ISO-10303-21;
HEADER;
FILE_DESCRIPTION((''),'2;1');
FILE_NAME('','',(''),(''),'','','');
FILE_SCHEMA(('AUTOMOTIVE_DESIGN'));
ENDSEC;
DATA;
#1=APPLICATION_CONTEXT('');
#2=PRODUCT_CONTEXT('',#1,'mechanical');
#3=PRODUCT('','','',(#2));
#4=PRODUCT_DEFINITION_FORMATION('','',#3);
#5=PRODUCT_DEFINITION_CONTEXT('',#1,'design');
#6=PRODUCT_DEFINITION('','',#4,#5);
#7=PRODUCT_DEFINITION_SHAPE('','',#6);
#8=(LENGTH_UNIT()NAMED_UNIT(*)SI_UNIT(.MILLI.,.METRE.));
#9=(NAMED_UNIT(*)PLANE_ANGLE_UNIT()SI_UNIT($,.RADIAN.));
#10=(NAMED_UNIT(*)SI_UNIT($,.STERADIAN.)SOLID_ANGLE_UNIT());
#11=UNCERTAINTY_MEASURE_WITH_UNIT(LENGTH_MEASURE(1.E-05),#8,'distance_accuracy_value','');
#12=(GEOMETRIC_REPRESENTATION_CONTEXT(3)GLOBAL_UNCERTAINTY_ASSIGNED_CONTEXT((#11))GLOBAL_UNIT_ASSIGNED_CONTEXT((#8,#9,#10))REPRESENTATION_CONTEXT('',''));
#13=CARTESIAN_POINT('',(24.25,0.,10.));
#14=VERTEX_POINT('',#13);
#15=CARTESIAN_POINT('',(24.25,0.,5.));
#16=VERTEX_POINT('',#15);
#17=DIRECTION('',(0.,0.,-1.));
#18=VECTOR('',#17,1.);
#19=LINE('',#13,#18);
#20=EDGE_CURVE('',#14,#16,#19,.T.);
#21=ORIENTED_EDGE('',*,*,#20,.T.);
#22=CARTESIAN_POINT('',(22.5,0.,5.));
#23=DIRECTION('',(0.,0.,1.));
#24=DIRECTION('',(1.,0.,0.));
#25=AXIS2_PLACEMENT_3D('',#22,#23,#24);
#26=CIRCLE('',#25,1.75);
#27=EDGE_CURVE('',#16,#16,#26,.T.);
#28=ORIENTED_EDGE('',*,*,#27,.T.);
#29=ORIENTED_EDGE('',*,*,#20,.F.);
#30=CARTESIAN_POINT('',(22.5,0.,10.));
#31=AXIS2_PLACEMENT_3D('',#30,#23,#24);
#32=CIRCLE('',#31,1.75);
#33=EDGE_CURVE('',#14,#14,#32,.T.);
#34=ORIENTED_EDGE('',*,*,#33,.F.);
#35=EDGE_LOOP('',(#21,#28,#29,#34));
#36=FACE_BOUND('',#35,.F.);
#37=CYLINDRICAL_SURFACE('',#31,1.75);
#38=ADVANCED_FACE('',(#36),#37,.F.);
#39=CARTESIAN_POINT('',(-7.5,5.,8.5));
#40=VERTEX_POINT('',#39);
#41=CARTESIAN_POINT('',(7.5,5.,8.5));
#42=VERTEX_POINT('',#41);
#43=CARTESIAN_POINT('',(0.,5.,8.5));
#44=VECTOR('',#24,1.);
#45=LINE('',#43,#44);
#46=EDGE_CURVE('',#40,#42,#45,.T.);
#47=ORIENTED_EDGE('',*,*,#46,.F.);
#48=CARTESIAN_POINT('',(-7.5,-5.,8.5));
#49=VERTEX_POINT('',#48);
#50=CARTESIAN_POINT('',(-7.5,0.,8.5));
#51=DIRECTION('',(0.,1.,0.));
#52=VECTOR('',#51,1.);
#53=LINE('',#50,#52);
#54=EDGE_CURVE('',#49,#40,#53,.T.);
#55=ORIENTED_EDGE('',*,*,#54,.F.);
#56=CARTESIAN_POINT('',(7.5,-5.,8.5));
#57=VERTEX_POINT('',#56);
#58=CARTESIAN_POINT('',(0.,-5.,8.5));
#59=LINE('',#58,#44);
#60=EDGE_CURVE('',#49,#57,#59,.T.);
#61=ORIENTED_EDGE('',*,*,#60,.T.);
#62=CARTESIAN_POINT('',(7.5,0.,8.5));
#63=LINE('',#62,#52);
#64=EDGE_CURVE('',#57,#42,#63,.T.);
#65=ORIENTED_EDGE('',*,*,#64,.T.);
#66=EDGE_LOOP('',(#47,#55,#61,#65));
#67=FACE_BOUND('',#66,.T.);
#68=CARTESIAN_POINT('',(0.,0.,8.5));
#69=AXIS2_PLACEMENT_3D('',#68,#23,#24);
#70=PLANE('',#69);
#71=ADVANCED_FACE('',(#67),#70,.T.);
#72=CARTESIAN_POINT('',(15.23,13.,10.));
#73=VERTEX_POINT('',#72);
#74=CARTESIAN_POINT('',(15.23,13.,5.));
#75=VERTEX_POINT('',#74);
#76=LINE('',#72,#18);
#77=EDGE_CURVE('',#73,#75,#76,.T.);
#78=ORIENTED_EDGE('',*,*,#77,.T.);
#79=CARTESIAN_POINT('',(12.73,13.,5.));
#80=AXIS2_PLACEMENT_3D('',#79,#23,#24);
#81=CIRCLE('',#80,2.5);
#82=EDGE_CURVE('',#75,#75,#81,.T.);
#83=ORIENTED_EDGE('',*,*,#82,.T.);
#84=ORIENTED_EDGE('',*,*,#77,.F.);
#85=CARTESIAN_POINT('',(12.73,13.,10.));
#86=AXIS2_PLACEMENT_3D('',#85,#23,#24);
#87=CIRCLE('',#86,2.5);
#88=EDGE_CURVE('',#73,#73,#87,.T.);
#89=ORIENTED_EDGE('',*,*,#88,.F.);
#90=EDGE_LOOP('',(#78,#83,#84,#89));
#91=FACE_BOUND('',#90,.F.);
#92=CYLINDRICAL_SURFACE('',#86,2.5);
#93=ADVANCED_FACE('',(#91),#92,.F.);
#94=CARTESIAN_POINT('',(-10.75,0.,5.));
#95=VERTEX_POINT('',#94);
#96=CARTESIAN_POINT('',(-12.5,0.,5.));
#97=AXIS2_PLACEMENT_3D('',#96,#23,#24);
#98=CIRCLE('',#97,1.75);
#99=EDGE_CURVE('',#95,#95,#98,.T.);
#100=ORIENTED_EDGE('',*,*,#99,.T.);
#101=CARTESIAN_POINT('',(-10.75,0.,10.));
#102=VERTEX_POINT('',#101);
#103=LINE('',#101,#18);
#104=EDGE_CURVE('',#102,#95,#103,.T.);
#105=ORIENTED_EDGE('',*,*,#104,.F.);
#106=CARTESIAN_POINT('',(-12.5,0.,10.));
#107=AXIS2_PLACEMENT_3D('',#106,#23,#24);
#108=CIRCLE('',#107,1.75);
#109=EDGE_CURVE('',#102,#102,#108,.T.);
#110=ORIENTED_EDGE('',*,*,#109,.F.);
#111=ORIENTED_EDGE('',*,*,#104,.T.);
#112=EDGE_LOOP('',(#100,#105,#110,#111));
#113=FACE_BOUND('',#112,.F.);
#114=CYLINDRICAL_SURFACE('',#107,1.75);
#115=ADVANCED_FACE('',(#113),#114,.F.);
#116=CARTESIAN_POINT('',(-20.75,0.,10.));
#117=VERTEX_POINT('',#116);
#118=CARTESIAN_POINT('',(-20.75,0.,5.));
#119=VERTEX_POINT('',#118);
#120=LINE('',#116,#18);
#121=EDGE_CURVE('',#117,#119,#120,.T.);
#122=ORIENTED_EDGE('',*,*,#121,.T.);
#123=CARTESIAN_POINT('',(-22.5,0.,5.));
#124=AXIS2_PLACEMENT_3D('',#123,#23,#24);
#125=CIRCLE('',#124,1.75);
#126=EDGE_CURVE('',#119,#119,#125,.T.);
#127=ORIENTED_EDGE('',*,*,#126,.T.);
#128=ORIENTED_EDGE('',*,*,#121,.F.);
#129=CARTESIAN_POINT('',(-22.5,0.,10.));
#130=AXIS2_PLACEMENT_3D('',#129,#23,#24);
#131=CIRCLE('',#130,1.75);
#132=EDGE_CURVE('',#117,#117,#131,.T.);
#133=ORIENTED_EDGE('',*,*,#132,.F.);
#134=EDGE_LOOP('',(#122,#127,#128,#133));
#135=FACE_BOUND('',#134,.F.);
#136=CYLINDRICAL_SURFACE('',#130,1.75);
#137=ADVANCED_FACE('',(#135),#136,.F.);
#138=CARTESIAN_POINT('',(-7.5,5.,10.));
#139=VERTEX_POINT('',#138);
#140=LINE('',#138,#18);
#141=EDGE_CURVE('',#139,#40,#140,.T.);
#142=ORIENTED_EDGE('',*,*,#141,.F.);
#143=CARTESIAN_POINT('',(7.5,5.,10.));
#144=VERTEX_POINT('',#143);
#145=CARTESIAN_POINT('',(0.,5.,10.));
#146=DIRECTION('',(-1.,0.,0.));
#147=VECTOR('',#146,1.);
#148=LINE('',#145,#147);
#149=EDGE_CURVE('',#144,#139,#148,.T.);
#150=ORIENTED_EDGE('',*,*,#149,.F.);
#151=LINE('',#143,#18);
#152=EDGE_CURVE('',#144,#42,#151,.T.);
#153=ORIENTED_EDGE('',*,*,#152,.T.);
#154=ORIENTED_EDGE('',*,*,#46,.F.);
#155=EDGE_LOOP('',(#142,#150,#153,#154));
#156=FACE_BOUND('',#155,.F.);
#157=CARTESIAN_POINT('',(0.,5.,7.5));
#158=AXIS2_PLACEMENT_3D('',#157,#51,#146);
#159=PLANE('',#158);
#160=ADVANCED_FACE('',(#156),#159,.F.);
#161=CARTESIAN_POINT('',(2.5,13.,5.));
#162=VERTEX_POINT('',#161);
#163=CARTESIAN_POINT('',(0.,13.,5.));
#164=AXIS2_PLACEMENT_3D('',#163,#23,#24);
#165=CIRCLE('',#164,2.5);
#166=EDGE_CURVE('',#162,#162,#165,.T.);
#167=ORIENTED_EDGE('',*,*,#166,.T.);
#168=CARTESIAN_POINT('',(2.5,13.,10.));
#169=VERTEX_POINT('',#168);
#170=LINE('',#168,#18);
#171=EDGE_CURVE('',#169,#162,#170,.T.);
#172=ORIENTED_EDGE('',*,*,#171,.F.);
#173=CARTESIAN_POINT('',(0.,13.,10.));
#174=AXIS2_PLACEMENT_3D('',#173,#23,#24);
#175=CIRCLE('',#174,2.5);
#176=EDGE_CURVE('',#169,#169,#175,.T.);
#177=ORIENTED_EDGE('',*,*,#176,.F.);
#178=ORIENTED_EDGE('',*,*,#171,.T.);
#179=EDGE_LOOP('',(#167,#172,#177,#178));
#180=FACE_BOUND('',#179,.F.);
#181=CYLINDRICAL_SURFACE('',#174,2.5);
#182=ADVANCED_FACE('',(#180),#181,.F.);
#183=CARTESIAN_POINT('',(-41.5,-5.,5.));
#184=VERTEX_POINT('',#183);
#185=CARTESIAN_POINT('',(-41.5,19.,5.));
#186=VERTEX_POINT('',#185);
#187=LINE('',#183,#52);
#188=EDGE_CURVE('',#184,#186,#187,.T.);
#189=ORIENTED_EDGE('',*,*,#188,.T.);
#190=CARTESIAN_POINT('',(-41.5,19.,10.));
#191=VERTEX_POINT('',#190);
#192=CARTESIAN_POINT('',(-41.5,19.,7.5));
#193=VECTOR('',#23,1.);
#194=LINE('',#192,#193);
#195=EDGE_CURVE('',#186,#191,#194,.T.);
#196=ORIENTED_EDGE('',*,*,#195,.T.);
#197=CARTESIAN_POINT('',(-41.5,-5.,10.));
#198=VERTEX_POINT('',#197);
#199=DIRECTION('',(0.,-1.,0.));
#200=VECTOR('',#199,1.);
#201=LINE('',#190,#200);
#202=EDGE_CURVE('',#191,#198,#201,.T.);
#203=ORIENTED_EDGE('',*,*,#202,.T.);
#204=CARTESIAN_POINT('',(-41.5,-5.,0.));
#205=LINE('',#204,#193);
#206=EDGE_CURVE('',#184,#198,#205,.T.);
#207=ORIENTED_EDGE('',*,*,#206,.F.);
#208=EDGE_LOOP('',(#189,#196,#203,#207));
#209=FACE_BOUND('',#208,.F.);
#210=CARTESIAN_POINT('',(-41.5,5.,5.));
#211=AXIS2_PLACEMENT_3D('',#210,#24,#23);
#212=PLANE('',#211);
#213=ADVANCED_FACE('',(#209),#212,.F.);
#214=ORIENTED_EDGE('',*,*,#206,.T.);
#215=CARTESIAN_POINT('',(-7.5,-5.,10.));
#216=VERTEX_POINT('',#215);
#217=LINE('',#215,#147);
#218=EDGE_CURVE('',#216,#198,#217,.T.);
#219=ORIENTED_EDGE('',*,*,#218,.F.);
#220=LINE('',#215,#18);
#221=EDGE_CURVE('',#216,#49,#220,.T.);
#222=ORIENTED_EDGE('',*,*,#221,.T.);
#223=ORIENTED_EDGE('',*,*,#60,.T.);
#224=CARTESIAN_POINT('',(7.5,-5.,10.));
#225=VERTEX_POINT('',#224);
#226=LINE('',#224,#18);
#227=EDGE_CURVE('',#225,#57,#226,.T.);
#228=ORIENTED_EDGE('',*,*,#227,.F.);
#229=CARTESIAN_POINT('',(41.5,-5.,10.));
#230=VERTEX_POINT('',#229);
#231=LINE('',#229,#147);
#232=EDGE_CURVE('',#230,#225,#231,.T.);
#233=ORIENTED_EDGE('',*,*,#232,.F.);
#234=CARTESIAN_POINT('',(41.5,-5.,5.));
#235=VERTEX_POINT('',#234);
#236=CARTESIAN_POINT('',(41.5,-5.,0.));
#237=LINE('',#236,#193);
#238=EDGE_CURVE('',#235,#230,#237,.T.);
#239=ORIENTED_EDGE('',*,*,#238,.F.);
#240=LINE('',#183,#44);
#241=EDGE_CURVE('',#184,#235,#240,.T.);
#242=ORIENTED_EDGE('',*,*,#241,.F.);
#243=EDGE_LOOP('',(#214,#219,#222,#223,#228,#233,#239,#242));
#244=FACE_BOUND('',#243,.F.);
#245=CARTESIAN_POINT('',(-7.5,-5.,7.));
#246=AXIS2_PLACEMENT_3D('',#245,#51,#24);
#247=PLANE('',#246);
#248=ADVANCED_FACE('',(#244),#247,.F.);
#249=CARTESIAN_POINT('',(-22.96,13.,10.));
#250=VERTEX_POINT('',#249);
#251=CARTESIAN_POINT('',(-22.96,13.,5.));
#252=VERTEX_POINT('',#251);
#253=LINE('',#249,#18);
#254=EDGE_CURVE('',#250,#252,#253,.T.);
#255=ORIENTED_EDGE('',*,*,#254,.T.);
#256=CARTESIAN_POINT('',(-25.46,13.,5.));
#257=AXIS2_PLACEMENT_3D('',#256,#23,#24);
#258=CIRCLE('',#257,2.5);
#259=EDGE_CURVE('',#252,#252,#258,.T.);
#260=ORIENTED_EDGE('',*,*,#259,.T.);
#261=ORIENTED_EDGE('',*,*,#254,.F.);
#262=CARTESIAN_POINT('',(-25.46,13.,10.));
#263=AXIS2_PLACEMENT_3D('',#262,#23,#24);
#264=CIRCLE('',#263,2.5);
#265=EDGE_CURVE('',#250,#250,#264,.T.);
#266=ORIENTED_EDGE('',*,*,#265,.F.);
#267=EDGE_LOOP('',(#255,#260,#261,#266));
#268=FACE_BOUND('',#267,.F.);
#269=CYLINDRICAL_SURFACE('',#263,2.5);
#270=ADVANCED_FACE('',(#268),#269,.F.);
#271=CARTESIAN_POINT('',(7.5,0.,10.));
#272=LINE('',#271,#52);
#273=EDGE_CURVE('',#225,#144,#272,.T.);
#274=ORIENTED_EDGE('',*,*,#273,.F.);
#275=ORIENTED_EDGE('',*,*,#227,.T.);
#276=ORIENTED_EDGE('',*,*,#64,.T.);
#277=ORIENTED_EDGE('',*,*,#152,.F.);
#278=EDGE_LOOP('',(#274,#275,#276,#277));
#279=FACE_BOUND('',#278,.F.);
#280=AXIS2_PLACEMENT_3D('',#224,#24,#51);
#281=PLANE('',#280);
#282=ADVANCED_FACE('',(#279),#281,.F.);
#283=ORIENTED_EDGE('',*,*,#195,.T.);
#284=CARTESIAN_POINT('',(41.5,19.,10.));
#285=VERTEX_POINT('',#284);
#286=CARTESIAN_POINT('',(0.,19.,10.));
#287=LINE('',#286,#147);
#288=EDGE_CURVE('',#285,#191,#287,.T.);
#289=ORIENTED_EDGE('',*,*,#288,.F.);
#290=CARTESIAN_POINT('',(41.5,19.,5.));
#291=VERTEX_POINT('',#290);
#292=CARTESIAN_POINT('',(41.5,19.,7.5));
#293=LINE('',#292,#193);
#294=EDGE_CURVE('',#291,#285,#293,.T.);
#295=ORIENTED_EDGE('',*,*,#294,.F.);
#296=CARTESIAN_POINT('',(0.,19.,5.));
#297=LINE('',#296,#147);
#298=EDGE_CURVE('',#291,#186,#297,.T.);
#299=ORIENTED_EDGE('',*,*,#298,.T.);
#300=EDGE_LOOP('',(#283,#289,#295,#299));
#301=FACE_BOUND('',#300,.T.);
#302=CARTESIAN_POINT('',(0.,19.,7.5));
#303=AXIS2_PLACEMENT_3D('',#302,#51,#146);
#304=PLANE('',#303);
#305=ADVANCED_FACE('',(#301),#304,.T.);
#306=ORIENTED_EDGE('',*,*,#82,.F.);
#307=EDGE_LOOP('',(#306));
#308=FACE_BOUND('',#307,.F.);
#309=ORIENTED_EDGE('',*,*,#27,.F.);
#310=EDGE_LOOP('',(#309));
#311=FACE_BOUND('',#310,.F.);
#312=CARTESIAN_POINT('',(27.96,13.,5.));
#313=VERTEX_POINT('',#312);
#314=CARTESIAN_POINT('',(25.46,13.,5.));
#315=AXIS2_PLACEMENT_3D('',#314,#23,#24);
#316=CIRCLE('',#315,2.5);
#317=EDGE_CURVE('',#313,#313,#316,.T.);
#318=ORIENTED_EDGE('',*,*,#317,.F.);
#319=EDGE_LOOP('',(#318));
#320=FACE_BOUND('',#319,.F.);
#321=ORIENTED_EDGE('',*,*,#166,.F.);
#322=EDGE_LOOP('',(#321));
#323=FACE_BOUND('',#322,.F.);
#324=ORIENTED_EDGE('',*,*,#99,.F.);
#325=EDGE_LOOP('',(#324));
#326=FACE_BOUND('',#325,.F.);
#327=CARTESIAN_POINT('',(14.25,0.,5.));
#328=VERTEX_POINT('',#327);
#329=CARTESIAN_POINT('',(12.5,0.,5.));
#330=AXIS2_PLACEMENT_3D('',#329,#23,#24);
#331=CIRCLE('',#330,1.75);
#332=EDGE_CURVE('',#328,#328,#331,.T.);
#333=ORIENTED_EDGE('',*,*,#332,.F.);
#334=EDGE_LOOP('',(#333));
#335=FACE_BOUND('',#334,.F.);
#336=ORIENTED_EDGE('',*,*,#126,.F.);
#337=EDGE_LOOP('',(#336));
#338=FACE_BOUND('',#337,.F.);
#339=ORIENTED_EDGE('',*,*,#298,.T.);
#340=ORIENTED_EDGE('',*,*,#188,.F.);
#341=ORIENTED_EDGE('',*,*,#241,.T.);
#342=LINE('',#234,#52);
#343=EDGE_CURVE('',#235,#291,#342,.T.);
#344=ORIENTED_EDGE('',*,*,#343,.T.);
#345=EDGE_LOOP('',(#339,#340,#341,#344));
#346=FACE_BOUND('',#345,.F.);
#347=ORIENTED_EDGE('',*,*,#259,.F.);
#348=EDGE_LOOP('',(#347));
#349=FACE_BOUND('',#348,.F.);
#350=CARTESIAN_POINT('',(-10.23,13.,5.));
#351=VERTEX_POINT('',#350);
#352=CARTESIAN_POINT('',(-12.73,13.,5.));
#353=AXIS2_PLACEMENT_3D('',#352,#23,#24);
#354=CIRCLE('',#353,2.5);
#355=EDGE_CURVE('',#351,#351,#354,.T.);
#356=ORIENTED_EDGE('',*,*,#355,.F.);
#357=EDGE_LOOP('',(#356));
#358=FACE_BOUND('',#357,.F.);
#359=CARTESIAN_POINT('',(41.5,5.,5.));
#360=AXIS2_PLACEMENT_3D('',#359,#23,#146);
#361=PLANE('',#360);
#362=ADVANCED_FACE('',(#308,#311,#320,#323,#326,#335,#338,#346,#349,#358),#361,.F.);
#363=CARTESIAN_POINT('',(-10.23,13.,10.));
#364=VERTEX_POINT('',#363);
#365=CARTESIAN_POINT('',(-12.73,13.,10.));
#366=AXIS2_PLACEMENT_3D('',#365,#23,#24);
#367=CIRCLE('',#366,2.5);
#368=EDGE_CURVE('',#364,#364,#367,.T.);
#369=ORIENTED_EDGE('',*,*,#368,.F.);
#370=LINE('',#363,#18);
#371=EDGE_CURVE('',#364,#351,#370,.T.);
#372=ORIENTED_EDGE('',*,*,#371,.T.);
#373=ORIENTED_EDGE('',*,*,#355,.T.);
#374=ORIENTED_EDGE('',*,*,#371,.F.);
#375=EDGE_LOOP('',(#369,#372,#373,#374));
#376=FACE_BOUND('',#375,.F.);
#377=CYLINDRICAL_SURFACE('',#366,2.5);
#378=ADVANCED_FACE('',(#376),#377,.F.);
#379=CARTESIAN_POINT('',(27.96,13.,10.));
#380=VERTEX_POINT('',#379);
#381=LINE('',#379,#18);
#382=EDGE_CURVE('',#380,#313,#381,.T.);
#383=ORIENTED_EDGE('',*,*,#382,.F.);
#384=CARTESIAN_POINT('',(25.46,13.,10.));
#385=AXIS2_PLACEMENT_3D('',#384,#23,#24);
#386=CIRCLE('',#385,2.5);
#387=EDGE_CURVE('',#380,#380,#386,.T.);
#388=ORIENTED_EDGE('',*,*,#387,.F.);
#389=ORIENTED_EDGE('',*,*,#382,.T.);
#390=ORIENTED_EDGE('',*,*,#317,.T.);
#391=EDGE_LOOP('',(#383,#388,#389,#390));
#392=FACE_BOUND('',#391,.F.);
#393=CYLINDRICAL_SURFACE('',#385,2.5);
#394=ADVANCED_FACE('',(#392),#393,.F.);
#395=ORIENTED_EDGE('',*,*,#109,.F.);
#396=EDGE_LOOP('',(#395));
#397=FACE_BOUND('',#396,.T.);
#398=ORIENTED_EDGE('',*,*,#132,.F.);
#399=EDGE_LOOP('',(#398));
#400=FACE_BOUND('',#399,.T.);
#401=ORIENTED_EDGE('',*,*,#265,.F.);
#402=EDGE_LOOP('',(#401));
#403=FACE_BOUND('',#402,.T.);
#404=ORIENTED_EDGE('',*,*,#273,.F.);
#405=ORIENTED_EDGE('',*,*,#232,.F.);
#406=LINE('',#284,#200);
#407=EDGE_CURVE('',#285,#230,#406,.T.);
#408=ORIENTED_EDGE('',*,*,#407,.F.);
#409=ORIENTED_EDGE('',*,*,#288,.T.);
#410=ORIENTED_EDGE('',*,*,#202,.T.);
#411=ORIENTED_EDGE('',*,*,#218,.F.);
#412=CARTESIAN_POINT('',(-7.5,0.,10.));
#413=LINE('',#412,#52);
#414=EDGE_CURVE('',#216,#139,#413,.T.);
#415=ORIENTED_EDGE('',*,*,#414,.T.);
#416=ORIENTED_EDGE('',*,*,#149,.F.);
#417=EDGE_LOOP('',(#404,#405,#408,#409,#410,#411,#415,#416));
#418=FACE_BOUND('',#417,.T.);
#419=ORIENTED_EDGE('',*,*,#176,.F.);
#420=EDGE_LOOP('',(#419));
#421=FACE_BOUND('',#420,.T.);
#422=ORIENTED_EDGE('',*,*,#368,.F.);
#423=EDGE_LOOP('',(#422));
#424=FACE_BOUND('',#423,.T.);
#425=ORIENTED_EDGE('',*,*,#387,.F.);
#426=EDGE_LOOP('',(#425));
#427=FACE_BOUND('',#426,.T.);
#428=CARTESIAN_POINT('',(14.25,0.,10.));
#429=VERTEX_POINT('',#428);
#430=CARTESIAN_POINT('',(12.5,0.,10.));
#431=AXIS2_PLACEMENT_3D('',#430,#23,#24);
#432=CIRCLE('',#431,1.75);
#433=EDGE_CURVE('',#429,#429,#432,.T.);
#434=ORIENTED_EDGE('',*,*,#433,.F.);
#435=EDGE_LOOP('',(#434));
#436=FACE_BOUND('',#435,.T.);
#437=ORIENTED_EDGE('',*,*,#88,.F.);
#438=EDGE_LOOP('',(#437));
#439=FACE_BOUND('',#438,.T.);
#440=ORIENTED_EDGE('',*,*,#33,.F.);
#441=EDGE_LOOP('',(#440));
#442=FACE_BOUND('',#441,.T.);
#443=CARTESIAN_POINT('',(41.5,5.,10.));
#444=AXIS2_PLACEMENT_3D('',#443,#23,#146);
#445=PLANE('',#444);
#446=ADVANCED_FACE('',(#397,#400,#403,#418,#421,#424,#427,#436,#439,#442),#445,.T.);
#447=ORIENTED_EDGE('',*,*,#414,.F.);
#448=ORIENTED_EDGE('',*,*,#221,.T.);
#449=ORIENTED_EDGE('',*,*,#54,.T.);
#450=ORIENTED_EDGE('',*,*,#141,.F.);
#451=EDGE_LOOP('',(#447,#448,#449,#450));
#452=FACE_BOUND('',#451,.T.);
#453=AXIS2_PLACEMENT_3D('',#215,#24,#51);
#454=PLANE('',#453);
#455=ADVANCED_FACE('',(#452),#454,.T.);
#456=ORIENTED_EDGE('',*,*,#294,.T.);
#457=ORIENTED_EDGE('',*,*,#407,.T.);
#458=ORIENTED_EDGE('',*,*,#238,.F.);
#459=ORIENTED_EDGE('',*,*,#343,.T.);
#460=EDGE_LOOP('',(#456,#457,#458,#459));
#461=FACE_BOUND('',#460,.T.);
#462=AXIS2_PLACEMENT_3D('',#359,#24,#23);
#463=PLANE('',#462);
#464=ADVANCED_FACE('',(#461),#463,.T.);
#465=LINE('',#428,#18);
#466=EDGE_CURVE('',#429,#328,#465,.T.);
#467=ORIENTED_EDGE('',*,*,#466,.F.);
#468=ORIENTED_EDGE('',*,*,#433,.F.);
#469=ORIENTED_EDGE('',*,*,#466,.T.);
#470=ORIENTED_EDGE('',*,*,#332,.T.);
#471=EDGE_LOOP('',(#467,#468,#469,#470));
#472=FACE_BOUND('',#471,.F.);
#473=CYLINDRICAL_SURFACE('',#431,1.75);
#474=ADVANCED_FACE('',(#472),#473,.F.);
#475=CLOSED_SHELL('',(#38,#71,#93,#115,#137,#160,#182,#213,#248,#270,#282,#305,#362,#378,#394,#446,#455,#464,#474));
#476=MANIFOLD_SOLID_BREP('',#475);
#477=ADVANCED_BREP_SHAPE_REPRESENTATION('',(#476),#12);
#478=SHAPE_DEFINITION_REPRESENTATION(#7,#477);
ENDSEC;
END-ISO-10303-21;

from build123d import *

# Parameters (mm, degrees)
F0_W      = 65
F0_H      = 10
F1_DEPTH  = 10
F2_W      = 15
F2_H      = 10
F3_DEPTH  = 3
F2_R      = 1.75
F4_DEPTH  = 25
F5_DEPTH  = 9
F6_DEPTH  = 9
F7_DEPTH  = 5
F8_DEPTH  = 1.5
F9_W      = 83
F9_H      = 5
F10_DEPTH = 14
F11_R     = 2.5
F12_DEPTH = 25


with BuildPart() as f1:
    # F0 (on Top) → F1 (new body)
    with BuildSketch(Plane.XY):
        Rectangle(F0_W, F0_H)
    extrude(amount=F1_DEPTH)

    # F2 (on face) → F3 (cut)
    with BuildSketch(Plane.XY.offset(10)):
        Rectangle(F2_W, F2_H)
    extrude(amount=-F3_DEPTH, mode=Mode.SUBTRACT)

    # F2 (on face) → F4 (cut)
    with BuildSketch(Plane.XY.offset(10)):
        with Locations((-22.5, 0)):
            Circle(F2_R)
        with Locations((-12.5, 0)):
            Circle(F2_R)
        with Locations((12.5, 0)):
            Circle(F2_R)
        with Locations((22.5, 0)):
            Circle(F2_R)
    extrude(amount=-F4_DEPTH, mode=Mode.SUBTRACT)

    # F5 (add): a face of the model
    f5_faces = [f1.faces().sort_by_distance(p)[0] for p in [
        (32.5, 0, 5),
    ]]
    extrude(f5_faces, amount=F5_DEPTH)

    # F6 (add): a face of the model
    f6_faces = [f1.faces().sort_by_distance(p)[0] for p in [
        (-32.5, 0, 5),
    ]]
    extrude(f6_faces, amount=F6_DEPTH)

    # F7 (cut): a face of the model
    f7_faces = [f1.faces().sort_by_distance(p)[0] for p in [
        (0, 0, 0),
    ]]
    extrude(f7_faces, amount=-F7_DEPTH, mode=Mode.SUBTRACT)

    # F8 (add): a face of the model
    f8_faces = [f1.faces().sort_by_distance(p)[0] for p in [
        (0, 0, 7),
    ]]
    extrude(f8_faces, amount=F8_DEPTH)

    # F9 (on face) → F10 (join)
    with BuildSketch(Plane(origin=(0, 5, 0), x_dir=(-1, 0, 0), z_dir=(0, 1, 0))):
        with Locations((0, 7.5)):
            Rectangle(F9_W, F9_H)
    extrude(amount=F10_DEPTH)

    # F11 (on face) → F12 (cut)
    with BuildSketch(Plane.XY.offset(10)):
        with Locations((12.73, 13)):
            Circle(F11_R)
        with Locations((25.46, 13)):
            Circle(F11_R)
        with Locations((0, 13)):
            Circle(F11_R)
        with Locations((-12.73, 13)):
            Circle(F11_R)
        with Locations((-25.46, 13)):
            Circle(F11_R)
    extrude(amount=-F12_DEPTH, mode=Mode.SUBTRACT)


solid = f1.part
